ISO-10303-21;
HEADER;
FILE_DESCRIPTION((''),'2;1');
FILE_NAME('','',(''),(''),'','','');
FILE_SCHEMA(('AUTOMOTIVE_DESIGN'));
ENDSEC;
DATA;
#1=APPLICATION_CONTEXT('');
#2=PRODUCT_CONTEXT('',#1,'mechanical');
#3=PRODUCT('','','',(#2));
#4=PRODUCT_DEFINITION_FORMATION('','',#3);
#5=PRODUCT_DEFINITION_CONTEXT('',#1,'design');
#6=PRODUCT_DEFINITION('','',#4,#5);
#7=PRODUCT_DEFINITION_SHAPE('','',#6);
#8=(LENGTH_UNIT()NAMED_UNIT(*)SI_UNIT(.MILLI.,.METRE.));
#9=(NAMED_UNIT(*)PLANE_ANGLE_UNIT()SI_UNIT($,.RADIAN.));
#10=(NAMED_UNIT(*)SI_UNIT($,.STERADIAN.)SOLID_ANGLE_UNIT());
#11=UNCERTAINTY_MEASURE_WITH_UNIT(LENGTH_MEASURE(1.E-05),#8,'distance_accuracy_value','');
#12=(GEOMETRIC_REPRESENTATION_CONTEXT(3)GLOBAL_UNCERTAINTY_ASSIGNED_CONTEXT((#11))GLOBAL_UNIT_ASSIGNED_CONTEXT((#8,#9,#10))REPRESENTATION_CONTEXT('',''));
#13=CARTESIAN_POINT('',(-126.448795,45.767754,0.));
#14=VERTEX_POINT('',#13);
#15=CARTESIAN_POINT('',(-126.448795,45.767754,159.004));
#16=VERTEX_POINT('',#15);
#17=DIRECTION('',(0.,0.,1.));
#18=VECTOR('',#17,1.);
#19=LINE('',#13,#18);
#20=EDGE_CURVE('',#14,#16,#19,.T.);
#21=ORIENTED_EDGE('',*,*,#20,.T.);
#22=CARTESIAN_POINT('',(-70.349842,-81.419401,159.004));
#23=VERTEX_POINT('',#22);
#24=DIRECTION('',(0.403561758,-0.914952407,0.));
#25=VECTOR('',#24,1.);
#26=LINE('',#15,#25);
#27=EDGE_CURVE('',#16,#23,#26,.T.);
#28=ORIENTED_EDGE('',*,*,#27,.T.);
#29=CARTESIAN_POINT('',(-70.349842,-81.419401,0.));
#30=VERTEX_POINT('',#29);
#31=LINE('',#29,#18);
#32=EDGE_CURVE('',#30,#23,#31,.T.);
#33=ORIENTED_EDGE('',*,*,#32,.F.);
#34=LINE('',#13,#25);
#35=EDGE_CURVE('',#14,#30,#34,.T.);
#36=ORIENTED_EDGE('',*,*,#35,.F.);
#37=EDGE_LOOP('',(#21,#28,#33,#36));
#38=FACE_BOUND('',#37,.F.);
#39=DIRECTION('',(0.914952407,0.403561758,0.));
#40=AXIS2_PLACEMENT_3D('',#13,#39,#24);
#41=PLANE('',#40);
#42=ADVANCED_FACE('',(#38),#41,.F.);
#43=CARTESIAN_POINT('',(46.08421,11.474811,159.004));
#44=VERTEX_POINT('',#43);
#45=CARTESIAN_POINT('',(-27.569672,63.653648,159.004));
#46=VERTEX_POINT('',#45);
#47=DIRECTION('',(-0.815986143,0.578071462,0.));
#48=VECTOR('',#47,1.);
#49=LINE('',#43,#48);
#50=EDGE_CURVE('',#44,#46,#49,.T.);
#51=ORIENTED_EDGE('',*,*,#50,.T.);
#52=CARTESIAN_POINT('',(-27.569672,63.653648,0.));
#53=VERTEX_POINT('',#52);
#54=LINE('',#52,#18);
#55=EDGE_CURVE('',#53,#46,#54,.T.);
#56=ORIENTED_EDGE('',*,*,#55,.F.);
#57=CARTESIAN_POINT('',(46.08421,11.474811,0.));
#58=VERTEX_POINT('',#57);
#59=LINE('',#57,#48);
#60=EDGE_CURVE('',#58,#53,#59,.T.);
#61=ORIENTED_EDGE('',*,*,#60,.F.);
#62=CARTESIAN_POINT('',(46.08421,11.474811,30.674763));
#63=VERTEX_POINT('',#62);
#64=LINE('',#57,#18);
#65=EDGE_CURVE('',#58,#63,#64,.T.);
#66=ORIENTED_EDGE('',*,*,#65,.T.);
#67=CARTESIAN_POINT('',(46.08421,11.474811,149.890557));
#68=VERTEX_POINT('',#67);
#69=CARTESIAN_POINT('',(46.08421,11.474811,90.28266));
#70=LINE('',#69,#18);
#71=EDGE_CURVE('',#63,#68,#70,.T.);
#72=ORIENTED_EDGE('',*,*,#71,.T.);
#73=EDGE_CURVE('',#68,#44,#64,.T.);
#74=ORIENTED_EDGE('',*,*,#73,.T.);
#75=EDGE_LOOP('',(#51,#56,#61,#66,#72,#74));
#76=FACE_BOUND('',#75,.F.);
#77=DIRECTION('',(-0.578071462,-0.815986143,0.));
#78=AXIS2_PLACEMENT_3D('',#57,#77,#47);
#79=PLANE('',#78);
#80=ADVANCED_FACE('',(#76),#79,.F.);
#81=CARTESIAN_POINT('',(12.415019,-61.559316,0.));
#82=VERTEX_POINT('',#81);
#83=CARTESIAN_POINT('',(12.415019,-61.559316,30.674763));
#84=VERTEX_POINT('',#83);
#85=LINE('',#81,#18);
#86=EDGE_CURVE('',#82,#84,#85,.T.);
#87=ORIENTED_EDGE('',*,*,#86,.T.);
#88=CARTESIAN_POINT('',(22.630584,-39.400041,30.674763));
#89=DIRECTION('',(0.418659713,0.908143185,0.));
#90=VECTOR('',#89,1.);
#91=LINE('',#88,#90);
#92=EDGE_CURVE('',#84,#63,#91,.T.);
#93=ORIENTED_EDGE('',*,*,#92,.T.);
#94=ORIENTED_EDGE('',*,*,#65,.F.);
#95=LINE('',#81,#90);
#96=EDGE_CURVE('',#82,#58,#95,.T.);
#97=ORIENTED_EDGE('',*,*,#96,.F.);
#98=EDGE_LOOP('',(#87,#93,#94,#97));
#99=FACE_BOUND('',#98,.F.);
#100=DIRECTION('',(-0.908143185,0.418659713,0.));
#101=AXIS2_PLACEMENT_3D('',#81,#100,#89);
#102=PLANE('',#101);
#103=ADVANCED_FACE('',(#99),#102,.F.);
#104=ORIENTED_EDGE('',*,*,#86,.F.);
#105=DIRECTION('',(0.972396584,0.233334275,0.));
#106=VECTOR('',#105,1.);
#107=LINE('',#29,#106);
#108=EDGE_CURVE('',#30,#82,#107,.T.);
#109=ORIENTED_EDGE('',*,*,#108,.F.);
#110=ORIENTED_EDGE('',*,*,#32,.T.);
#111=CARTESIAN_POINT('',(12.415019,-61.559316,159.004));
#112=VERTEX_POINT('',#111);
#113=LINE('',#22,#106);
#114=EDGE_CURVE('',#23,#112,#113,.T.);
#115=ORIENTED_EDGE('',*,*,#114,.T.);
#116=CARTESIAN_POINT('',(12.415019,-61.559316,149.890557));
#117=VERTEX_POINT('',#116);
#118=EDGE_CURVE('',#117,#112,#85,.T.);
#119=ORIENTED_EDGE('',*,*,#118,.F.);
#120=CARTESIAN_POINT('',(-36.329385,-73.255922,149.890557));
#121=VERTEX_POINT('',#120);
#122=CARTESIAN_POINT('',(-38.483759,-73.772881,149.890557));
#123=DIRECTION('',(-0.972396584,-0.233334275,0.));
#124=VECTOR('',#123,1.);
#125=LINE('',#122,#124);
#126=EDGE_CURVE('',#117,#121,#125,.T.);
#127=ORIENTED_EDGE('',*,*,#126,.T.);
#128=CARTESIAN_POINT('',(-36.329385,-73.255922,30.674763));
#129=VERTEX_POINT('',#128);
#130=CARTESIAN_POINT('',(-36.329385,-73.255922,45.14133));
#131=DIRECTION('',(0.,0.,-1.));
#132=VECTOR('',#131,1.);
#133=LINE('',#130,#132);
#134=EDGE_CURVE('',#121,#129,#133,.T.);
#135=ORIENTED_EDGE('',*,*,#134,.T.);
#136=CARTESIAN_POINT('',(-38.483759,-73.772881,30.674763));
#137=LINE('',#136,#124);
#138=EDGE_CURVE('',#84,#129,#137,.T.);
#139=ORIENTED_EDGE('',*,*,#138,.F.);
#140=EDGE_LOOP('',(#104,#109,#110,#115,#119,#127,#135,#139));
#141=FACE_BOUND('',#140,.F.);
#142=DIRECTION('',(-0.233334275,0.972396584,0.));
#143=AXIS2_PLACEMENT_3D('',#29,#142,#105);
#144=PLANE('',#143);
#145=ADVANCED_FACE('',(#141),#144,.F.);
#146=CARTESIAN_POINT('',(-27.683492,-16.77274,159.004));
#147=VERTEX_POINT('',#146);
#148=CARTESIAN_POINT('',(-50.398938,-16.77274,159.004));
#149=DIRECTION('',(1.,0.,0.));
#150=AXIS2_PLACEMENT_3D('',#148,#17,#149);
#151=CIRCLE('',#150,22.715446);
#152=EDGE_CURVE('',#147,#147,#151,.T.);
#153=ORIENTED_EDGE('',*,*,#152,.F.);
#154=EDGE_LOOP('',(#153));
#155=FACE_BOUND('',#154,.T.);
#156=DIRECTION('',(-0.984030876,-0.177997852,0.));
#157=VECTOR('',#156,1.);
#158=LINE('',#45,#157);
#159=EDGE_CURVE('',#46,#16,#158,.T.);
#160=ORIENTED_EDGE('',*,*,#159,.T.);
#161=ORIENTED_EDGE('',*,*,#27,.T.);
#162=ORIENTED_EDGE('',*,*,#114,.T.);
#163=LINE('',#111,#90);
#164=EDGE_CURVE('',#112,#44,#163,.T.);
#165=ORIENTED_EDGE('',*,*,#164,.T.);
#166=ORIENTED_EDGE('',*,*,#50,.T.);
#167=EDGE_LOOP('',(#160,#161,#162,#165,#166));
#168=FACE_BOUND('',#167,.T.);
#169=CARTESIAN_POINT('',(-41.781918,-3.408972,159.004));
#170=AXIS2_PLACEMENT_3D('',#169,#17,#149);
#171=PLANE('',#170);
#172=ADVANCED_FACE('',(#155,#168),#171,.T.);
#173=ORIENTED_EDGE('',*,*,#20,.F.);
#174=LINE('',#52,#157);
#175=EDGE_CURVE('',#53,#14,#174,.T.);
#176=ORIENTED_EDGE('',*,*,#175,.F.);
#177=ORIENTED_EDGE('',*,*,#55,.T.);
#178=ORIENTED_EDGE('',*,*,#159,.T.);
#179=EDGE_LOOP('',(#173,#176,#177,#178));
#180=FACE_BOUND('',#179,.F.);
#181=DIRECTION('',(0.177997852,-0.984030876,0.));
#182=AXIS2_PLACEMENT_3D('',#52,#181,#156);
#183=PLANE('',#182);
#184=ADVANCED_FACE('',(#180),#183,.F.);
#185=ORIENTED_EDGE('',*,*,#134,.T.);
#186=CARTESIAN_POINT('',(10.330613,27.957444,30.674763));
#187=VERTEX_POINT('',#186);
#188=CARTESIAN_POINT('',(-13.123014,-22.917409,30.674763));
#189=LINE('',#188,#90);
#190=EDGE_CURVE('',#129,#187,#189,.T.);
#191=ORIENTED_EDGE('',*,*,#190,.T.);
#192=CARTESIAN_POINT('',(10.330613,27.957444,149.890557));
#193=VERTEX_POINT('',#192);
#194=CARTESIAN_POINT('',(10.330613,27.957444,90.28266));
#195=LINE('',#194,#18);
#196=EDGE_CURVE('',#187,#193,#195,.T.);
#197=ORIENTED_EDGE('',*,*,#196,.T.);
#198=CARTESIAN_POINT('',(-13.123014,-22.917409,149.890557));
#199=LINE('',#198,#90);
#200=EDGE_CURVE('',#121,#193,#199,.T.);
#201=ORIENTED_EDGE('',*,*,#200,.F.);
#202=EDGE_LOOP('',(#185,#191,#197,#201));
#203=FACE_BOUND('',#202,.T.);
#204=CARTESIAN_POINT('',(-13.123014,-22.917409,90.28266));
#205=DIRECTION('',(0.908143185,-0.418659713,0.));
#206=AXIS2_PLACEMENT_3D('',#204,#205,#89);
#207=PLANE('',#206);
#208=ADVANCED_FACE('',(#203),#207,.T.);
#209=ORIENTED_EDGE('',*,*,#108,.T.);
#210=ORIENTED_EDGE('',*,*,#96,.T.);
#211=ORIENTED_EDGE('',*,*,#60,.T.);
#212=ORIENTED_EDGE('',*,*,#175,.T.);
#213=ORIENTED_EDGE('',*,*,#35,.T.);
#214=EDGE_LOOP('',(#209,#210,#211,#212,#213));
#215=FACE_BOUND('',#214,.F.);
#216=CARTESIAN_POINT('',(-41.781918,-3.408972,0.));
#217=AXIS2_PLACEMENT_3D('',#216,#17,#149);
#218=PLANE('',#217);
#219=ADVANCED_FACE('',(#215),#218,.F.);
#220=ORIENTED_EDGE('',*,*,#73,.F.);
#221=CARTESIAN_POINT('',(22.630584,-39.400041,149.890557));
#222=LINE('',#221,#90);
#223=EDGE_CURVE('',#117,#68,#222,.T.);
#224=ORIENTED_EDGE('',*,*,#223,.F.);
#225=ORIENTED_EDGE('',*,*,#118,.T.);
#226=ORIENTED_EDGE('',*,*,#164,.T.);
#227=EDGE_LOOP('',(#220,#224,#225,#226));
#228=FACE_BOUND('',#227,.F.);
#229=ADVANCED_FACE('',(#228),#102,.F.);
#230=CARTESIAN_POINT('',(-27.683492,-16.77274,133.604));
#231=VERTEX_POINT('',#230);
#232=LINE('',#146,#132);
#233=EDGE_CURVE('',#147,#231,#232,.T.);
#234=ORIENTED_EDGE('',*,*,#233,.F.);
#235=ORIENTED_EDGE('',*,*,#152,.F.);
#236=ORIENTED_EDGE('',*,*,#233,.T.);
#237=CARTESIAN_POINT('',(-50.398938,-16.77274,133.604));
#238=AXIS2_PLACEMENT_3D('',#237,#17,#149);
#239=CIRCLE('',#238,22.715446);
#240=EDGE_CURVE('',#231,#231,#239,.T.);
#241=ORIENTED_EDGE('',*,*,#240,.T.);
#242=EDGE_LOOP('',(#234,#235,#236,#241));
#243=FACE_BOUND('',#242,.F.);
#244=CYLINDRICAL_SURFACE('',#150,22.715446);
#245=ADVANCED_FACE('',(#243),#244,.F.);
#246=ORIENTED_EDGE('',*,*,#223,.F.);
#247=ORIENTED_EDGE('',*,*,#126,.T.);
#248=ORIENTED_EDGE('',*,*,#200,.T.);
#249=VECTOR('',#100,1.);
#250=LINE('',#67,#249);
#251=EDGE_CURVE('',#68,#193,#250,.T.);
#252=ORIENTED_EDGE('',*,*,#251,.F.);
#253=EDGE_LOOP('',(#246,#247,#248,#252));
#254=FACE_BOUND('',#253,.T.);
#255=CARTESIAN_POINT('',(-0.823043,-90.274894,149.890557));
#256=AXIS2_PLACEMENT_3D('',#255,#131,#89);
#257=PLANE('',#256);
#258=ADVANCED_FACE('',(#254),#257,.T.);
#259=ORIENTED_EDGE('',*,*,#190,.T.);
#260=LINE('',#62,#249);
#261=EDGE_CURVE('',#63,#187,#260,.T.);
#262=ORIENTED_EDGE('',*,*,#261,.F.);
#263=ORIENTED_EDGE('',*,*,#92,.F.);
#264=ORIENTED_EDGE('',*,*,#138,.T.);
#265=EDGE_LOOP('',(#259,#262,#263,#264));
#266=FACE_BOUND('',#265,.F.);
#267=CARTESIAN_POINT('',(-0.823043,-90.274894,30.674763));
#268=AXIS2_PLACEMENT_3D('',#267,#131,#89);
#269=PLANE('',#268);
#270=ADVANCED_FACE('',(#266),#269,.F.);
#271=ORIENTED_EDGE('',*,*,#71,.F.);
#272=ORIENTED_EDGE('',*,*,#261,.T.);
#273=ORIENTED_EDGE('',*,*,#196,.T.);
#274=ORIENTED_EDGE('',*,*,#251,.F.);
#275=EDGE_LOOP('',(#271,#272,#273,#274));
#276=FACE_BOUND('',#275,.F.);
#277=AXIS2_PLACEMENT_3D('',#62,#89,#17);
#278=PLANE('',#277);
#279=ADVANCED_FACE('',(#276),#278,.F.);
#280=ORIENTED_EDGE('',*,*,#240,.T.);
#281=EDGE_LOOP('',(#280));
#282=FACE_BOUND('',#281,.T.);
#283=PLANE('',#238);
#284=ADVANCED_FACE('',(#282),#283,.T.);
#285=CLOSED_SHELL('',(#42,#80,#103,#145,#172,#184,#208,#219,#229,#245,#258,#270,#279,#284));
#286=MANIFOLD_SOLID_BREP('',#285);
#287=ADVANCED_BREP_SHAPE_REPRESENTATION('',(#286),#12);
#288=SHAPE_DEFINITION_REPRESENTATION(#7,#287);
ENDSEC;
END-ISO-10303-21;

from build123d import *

# Parameters (mm, degrees)
F1_DEPTH = 159.004
F2_R     = 22.7154462009
F3_DEPTH = 25.4
F4_W     = 112.0414791829
F4_H     = 119.2157939076
F5_DEPTH = 39.37


with BuildPart() as f1:
    # F0 (on Top) → F1 (new body)
    with BuildSketch(Plane.XY):
        Polygon((-126.4487951994, 45.7677543163), (-70.34984231, -81.4194008708), (12.415018864, -61.5593157709), (46.0842102766, 11.474811472), (-27.5696720928, 63.6536478996), align=None)
    extrude(amount=F1_DEPTH)

    # F2 (on face) → F3 (cut)
    with BuildSketch(Plane.XY.offset(159.004)):
        with Locations((-50.3989383578, -16.7727395892)):
            Circle(F2_R)
    extrude(amount=-F3_DEPTH, mode=Mode.SUBTRACT)

    # F4 (on face) → F5 (cut)
    with BuildSketch(Plane(origin=(33.64399896, -15.5100948506, 0), x_dir=(0.4186597128, 0.9081431852, 0), z_dir=(0.9081431852, -0.4186597128, 0))):
        with Locations((-26.3063655135, 90.2826599777)):
            Rectangle(F4_W, F4_H)
    extrude(amount=-F5_DEPTH, mode=Mode.SUBTRACT)


solid = f1.part
